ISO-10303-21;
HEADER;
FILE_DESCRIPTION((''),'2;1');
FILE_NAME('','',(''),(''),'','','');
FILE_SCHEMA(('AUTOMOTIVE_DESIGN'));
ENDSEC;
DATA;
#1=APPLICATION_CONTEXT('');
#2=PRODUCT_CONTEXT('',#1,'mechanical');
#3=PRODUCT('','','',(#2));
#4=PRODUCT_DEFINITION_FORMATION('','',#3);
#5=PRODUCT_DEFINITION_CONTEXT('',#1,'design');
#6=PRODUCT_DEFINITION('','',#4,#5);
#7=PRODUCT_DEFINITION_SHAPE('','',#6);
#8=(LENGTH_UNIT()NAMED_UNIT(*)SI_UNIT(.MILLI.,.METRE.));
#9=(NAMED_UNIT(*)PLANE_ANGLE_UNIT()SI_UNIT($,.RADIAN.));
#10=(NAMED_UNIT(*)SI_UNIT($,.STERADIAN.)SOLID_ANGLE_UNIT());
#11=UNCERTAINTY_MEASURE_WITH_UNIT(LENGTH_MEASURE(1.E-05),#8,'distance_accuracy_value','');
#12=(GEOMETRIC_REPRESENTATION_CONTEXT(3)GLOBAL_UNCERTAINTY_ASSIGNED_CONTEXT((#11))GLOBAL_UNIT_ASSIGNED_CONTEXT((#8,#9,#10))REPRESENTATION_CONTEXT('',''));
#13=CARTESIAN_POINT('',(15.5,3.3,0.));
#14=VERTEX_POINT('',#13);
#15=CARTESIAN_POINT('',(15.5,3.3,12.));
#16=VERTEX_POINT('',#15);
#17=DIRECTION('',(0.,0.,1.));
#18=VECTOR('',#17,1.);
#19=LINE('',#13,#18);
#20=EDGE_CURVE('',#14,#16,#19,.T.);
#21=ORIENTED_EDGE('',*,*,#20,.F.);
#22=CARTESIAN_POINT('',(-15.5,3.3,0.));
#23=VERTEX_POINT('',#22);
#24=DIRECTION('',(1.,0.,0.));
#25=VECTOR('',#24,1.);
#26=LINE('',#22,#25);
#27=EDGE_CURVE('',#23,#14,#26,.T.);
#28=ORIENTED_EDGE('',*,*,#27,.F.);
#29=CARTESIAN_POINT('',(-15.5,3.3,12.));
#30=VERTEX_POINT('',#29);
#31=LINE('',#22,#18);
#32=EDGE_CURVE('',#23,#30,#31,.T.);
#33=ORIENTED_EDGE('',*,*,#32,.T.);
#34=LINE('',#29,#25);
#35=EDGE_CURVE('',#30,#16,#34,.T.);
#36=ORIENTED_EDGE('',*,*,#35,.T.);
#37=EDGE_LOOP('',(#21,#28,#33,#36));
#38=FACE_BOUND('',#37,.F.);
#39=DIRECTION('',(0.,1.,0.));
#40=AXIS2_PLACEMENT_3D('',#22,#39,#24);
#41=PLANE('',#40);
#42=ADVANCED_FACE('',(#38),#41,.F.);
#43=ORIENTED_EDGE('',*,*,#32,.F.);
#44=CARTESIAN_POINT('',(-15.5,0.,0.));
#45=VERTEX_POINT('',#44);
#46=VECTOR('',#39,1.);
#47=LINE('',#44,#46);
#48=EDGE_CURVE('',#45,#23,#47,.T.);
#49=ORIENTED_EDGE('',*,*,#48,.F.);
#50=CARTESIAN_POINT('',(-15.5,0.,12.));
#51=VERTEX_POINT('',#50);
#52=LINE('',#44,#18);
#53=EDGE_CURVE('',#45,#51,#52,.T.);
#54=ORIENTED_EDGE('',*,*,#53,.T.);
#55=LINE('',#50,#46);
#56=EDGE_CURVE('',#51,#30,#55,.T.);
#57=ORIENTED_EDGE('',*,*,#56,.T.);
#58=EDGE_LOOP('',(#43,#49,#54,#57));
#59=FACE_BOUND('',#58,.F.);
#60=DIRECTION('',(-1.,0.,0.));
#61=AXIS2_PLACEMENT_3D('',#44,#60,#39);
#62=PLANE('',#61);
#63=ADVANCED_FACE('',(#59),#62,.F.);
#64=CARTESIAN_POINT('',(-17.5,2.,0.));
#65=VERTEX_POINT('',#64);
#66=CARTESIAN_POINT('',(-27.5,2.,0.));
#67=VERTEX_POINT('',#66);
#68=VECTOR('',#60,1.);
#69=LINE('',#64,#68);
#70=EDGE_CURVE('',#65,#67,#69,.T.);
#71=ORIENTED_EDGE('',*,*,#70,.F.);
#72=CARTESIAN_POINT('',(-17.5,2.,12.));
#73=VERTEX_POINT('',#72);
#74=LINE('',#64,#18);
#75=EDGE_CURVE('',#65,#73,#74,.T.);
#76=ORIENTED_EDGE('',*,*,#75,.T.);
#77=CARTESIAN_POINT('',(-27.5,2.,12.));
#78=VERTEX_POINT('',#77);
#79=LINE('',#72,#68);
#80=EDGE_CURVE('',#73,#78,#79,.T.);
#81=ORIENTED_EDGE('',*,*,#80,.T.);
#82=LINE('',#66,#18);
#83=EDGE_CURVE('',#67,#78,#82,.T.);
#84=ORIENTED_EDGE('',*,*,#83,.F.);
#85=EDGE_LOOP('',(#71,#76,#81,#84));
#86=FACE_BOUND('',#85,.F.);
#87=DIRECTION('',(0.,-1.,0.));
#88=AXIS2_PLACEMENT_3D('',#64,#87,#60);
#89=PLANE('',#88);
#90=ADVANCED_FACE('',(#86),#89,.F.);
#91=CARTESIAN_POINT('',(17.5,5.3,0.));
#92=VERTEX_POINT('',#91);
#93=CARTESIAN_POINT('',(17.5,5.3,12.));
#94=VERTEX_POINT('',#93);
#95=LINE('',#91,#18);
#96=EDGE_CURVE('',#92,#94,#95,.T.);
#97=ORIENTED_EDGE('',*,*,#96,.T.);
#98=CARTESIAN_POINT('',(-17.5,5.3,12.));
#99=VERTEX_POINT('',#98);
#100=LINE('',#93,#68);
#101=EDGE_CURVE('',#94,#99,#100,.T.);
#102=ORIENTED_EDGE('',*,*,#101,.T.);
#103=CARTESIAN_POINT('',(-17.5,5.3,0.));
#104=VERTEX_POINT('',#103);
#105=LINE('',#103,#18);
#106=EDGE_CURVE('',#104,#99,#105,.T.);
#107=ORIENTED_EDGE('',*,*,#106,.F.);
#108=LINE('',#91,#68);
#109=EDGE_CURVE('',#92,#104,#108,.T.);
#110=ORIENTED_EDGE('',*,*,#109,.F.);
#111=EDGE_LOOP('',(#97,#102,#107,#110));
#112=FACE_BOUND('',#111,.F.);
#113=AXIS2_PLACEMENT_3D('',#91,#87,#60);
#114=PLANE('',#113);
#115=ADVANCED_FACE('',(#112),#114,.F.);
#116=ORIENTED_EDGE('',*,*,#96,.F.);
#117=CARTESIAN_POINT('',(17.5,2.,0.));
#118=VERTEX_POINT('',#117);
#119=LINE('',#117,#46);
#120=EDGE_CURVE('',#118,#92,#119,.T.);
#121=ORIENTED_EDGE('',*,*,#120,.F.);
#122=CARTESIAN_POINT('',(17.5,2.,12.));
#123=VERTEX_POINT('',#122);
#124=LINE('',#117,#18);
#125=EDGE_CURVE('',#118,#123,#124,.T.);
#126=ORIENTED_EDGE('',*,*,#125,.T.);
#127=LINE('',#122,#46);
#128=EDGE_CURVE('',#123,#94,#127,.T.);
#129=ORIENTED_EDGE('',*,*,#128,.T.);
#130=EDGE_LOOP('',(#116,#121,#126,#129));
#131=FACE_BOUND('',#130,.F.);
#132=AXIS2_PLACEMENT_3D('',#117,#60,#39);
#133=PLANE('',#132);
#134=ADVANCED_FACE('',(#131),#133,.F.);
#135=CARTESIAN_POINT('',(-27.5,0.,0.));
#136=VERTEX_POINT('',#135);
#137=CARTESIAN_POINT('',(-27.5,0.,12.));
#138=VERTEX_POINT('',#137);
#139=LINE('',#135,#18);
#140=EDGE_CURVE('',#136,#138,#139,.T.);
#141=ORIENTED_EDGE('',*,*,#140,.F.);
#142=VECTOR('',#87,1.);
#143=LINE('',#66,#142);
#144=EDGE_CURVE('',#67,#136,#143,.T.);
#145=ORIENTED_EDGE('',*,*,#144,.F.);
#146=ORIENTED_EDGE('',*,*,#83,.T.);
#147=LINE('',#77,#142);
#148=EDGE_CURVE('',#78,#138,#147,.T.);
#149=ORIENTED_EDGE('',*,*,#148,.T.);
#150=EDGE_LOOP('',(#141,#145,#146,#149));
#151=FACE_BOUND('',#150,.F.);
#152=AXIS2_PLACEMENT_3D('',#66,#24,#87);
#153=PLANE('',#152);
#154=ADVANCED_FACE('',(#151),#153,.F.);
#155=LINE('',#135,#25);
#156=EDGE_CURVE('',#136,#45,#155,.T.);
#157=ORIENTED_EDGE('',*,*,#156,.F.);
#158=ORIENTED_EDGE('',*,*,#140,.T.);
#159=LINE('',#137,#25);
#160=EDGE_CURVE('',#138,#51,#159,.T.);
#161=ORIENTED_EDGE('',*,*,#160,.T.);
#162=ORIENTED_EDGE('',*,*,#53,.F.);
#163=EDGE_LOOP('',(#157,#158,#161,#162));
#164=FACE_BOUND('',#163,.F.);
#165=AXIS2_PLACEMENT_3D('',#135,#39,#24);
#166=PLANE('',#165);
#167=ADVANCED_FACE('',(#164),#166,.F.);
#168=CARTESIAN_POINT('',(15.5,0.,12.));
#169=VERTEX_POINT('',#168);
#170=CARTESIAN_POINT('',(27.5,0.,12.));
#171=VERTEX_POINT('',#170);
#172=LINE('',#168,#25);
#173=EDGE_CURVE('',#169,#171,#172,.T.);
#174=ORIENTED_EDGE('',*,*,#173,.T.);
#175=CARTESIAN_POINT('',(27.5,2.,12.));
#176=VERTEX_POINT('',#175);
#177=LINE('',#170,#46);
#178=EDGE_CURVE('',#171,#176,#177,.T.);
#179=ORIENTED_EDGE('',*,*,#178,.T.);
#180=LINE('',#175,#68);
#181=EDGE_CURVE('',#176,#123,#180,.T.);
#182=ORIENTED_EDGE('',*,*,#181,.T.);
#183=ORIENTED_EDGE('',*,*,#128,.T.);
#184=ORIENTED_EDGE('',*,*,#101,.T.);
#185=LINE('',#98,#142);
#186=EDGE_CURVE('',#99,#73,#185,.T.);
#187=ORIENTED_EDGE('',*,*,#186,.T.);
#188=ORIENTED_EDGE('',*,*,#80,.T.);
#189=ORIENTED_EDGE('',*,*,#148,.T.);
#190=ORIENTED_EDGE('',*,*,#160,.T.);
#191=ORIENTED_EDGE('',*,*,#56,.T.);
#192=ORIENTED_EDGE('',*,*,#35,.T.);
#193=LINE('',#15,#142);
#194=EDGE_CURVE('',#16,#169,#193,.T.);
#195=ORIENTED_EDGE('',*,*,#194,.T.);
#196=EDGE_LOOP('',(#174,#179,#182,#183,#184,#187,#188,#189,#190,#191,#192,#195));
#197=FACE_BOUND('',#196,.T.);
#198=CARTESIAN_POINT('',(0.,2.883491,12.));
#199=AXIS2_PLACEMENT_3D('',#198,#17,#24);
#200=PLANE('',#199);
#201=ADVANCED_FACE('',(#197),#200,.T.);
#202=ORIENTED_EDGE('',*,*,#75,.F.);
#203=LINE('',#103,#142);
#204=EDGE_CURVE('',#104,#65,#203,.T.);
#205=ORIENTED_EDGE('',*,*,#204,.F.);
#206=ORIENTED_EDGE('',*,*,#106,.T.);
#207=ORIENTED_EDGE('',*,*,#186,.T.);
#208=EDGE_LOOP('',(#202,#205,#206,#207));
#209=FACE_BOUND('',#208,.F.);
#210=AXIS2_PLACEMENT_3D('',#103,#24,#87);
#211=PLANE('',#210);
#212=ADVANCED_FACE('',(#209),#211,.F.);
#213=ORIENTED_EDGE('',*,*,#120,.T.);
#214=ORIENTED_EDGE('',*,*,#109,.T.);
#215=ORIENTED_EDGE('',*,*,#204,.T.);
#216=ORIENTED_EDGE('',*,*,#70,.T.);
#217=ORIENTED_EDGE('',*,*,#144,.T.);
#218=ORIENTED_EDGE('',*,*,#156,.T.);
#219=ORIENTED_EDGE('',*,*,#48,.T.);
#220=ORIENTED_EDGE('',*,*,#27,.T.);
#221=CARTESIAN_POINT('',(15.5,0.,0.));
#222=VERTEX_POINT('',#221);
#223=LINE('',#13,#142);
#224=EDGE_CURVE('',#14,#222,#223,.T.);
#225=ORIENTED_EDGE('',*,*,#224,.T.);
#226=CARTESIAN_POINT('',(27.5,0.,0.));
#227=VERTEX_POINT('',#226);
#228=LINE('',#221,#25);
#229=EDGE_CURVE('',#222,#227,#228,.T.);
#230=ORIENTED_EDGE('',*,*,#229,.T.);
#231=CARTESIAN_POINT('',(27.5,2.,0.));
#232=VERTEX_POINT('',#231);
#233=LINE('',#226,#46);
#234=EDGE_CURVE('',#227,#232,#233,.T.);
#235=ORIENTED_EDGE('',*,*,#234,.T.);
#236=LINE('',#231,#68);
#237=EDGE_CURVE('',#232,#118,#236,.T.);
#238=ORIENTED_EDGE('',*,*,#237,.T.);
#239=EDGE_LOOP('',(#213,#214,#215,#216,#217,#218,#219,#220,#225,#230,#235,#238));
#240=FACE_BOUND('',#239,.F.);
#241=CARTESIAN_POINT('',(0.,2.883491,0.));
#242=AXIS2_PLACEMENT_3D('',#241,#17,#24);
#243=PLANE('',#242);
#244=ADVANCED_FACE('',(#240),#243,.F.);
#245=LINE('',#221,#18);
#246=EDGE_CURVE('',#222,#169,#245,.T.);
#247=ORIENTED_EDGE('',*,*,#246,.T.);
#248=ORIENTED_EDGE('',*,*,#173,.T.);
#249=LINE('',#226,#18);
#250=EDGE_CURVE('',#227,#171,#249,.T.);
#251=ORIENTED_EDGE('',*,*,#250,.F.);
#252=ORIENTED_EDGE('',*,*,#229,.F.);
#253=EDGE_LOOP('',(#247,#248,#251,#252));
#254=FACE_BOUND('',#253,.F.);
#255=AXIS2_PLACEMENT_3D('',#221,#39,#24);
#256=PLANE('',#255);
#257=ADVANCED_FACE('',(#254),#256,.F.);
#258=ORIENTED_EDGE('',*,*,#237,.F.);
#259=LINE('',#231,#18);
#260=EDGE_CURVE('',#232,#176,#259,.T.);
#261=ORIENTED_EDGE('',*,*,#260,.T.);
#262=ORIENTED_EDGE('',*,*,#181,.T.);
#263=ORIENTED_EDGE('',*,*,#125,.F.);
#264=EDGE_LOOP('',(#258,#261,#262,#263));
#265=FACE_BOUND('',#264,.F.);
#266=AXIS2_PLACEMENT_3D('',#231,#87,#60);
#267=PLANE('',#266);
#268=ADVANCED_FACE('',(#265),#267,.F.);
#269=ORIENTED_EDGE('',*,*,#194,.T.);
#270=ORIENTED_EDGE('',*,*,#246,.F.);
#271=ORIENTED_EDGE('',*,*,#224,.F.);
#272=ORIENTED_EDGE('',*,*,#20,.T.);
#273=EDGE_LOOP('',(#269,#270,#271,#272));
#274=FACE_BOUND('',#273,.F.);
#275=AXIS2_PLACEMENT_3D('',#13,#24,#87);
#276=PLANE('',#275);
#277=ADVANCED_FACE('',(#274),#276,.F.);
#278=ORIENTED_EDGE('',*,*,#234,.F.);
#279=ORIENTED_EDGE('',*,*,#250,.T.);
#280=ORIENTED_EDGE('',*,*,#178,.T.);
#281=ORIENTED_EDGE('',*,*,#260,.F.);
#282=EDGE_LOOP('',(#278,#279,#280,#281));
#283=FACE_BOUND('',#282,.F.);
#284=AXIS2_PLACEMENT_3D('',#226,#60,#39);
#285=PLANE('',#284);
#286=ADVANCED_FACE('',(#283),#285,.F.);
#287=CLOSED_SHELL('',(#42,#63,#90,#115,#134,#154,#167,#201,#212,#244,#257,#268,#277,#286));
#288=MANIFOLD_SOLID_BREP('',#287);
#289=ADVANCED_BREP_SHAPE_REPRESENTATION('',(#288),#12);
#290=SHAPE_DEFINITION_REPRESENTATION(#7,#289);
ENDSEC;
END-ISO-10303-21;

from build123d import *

# Parameters (mm, degrees)
EXTRUDE_DEPTH = 12


with BuildPart() as part:
    # Sketch → Extrude (new body)
    with BuildSketch(Plane.XY):
        Polygon((-27.5, 0), (-15.5, 0), (-15.5, 3.3), (15.5, 3.3), (15.5, 0), (27.5, 0), (27.5, 2), (17.5, 2), (17.5, 5.3), (-17.5, 5.3), (-17.5, 2), (-27.5, 2), align=None)
    extrude(amount=EXTRUDE_DEPTH)


solid = part.part
